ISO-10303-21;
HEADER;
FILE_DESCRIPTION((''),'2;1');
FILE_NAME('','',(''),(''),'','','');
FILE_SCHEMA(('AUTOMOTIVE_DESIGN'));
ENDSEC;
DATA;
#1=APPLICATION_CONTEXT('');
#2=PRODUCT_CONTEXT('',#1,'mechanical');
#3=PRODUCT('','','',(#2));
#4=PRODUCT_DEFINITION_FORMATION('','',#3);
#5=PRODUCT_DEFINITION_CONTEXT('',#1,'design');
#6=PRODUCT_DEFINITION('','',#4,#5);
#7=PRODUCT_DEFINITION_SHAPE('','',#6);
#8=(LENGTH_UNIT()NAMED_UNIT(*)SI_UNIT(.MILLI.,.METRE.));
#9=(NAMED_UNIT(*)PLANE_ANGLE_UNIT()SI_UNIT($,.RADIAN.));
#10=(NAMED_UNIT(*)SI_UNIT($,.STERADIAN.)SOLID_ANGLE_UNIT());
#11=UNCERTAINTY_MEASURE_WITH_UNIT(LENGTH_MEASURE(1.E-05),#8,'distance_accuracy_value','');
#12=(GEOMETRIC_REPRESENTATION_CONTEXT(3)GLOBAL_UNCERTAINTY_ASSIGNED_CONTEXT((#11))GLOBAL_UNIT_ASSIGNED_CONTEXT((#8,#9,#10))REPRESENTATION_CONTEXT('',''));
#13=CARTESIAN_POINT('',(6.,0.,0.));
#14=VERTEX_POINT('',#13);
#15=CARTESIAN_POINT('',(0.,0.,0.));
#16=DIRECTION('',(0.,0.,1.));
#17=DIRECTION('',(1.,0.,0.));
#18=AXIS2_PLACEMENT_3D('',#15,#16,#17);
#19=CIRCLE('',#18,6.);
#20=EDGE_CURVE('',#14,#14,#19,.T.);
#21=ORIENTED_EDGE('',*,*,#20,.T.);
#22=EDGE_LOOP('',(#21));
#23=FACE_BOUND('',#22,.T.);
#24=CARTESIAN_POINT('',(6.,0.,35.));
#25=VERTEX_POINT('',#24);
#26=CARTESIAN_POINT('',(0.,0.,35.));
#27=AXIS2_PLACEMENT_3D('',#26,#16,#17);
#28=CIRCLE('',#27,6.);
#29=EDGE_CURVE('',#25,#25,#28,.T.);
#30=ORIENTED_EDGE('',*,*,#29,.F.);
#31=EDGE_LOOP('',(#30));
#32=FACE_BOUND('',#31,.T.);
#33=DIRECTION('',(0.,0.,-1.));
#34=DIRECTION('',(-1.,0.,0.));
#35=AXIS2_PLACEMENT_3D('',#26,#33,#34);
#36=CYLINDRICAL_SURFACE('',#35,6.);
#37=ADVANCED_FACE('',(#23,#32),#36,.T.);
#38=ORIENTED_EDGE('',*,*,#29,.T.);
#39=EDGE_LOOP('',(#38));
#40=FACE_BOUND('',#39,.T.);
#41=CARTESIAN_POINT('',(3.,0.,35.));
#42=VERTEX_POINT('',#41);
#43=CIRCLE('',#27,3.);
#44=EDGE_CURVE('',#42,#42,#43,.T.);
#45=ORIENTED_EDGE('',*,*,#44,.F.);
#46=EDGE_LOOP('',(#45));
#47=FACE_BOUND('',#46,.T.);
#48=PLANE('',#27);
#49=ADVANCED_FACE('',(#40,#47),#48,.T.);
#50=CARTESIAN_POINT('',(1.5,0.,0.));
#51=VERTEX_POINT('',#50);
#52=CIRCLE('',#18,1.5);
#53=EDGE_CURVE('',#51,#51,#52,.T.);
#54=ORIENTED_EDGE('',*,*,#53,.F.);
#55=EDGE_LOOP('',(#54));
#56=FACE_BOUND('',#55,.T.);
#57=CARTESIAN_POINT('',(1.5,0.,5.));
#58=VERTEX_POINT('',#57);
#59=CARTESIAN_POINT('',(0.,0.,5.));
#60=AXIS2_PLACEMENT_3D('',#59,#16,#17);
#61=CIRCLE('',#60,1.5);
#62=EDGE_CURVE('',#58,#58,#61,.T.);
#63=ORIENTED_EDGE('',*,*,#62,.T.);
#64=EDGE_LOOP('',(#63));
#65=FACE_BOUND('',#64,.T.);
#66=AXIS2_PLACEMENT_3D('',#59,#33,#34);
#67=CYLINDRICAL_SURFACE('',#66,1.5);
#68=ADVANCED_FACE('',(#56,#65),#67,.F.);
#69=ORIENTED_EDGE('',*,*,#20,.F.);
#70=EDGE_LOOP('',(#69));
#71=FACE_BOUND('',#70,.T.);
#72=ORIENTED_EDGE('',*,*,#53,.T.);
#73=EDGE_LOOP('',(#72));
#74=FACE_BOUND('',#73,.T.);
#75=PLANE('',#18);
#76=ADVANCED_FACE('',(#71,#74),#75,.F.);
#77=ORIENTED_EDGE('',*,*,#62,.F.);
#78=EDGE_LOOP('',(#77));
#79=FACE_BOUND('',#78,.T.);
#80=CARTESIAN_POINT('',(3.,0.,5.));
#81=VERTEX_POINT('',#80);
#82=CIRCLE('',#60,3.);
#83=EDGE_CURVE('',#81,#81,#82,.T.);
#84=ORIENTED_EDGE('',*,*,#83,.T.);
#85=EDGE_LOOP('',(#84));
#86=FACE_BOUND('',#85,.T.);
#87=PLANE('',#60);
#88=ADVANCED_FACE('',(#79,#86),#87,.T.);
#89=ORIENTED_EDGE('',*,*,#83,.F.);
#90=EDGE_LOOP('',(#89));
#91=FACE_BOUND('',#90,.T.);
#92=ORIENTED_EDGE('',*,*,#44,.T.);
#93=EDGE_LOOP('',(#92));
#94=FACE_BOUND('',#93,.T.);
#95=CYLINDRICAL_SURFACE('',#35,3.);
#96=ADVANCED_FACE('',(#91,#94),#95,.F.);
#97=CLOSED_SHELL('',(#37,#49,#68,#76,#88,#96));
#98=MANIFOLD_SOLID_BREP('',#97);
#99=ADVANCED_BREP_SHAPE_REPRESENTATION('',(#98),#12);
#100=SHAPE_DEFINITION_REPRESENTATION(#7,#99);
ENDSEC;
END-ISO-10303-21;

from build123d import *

# Parameters (mm, degrees)
CROQUIS1_R              = 6
CROQUIS1_R_2            = 3
SALIENTE_EXTRUIR3_DEPTH = 35
CROQUIS1_4_R            = 3
CROQUIS1_4_R_2          = 1.5
SALIENTE_EXTRUIR4_DEPTH = 5


with BuildPart() as part:
    # Croquis1 → Saliente-Extruir3 (new body)
    with BuildSketch(Plane.XY):
        Circle(CROQUIS1_R)
        Circle(CROQUIS1_R_2, mode=Mode.SUBTRACT)
    extrude(amount=SALIENTE_EXTRUIR3_DEPTH)

    # Croquis1<4> → Saliente-Extruir4 (add)
    with BuildSketch(Plane.XY):
        Circle(CROQUIS1_4_R)
        Circle(CROQUIS1_4_R_2, mode=Mode.SUBTRACT)
    extrude(amount=SALIENTE_EXTRUIR4_DEPTH)


solid = part.part
